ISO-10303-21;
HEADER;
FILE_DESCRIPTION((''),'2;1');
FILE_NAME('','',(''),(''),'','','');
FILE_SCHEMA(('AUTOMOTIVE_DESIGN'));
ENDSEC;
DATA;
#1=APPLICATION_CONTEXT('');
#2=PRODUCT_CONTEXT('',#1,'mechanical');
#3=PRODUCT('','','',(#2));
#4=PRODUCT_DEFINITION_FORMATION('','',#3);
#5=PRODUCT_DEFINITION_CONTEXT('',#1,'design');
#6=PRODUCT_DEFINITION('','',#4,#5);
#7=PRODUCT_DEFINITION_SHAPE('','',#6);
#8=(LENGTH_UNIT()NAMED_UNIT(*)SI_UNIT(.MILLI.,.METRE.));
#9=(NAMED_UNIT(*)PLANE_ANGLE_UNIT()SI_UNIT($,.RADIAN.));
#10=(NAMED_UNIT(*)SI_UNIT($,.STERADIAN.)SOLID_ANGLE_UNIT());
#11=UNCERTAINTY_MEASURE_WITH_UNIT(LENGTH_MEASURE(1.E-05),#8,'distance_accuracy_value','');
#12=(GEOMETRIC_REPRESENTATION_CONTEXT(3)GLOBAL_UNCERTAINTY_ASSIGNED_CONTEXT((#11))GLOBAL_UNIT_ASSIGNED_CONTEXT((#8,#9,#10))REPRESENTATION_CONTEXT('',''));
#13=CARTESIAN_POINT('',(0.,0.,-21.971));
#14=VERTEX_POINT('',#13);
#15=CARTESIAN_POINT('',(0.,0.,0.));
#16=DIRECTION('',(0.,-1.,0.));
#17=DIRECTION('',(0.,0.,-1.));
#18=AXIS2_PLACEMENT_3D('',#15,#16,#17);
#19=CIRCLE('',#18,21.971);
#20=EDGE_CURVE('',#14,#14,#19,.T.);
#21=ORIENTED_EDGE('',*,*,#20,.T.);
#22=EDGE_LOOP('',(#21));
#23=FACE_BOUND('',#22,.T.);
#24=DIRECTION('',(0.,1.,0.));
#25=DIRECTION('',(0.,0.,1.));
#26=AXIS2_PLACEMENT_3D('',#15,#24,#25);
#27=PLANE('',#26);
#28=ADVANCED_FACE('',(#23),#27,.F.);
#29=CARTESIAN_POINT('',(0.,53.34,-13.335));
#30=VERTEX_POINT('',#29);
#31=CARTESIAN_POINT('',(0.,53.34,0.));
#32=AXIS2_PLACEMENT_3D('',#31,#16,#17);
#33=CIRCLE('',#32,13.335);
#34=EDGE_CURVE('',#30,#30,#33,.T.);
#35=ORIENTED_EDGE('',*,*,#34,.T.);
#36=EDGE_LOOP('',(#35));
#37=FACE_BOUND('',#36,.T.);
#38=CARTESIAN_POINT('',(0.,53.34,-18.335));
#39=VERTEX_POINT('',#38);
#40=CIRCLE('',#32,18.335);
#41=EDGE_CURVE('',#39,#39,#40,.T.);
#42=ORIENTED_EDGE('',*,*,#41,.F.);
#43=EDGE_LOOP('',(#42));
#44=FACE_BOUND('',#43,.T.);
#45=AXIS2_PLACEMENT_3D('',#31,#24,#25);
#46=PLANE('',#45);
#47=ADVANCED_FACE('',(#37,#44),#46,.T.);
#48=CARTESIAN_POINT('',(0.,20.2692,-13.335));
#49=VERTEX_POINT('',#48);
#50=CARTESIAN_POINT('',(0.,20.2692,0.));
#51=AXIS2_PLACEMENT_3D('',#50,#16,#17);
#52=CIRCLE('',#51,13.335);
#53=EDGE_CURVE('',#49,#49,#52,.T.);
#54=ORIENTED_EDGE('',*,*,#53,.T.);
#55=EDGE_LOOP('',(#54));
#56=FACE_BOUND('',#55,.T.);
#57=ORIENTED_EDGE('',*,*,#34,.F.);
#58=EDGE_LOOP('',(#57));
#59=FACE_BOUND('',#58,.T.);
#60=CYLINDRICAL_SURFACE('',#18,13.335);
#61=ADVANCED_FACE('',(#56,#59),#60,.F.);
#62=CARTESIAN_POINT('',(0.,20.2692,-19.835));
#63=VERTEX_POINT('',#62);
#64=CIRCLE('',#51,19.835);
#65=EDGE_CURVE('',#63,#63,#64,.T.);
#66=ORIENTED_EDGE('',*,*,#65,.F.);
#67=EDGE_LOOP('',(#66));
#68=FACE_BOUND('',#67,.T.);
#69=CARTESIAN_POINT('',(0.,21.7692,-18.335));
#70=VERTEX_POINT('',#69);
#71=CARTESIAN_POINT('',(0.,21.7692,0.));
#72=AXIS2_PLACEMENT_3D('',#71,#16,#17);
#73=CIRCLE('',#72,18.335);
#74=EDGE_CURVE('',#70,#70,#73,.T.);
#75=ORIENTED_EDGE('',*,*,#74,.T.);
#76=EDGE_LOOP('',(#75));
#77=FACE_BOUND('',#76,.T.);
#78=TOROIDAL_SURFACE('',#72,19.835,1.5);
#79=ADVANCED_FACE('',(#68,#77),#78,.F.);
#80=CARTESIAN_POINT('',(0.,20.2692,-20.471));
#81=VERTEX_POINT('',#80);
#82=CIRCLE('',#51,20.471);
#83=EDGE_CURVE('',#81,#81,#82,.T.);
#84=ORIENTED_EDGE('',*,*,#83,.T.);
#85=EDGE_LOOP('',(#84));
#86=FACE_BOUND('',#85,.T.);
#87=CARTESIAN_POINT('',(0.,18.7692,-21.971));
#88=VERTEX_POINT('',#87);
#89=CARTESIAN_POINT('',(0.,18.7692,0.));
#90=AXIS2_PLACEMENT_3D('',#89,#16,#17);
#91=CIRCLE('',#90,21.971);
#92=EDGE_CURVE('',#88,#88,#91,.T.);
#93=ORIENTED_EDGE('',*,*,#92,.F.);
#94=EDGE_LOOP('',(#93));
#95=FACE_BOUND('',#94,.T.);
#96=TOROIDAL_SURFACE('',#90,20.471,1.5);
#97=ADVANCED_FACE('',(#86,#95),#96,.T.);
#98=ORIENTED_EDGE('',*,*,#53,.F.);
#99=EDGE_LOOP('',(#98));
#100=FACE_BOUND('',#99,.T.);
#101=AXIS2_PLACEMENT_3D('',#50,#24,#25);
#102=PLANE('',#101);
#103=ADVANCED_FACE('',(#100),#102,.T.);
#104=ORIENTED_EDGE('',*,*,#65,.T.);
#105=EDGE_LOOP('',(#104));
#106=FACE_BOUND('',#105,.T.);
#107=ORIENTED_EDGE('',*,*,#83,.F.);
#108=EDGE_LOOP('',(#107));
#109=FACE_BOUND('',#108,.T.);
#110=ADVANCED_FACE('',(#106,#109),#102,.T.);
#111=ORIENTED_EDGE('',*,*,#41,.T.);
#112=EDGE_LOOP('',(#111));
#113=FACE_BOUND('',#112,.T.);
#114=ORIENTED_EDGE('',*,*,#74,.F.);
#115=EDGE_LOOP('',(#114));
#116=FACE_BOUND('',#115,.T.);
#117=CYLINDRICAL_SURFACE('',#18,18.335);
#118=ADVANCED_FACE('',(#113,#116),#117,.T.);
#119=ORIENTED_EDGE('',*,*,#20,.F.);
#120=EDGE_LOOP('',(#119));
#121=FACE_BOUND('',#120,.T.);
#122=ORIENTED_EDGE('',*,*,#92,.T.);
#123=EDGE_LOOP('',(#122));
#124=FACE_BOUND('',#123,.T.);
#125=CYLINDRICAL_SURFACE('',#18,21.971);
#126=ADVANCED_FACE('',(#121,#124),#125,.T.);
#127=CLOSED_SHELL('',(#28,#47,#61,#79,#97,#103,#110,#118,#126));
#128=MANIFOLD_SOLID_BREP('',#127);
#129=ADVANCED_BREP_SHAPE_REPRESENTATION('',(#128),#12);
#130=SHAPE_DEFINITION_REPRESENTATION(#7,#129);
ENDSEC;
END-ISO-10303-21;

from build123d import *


with BuildPart() as part:
    # Sketch1 → Revolve1 (revolve)
    with BuildSketch(Plane.XY, mode=Mode.PRIVATE) as revolve1_sk:
        with BuildLine():
            Line((0, 20.2692), (-13.335, 20.2692))
            Line((-13.335, 20.2692), (-13.335, 53.34))
            Line((-13.335, 53.34), (-18.335, 53.34))
            Line((-18.335, 53.34), (-18.335, 21.7692))
            ThreePointArc((-18.335, 21.7692), (-18.774339828, 20.708539828), (-19.835, 20.2692))
            Line((-19.835, 20.2692), (-20.471, 20.2692))
            ThreePointArc((-20.471, 20.2692), (-21.531660172, 19.829860172), (-21.971, 18.7692))
            Line((-21.971, 18.7692), (-21.971, 0))
            Line((-21.971, 0), (0, 0))
            Line((0, 0), (0, 20.2692))
        make_face()
    revolve(revolve1_sk.sketch.rotate(Axis((0, 0, 0), (0, 1, 0)), 270), axis=Axis((0, 0, 0), (0, 1, 0)))


solid = part.part
